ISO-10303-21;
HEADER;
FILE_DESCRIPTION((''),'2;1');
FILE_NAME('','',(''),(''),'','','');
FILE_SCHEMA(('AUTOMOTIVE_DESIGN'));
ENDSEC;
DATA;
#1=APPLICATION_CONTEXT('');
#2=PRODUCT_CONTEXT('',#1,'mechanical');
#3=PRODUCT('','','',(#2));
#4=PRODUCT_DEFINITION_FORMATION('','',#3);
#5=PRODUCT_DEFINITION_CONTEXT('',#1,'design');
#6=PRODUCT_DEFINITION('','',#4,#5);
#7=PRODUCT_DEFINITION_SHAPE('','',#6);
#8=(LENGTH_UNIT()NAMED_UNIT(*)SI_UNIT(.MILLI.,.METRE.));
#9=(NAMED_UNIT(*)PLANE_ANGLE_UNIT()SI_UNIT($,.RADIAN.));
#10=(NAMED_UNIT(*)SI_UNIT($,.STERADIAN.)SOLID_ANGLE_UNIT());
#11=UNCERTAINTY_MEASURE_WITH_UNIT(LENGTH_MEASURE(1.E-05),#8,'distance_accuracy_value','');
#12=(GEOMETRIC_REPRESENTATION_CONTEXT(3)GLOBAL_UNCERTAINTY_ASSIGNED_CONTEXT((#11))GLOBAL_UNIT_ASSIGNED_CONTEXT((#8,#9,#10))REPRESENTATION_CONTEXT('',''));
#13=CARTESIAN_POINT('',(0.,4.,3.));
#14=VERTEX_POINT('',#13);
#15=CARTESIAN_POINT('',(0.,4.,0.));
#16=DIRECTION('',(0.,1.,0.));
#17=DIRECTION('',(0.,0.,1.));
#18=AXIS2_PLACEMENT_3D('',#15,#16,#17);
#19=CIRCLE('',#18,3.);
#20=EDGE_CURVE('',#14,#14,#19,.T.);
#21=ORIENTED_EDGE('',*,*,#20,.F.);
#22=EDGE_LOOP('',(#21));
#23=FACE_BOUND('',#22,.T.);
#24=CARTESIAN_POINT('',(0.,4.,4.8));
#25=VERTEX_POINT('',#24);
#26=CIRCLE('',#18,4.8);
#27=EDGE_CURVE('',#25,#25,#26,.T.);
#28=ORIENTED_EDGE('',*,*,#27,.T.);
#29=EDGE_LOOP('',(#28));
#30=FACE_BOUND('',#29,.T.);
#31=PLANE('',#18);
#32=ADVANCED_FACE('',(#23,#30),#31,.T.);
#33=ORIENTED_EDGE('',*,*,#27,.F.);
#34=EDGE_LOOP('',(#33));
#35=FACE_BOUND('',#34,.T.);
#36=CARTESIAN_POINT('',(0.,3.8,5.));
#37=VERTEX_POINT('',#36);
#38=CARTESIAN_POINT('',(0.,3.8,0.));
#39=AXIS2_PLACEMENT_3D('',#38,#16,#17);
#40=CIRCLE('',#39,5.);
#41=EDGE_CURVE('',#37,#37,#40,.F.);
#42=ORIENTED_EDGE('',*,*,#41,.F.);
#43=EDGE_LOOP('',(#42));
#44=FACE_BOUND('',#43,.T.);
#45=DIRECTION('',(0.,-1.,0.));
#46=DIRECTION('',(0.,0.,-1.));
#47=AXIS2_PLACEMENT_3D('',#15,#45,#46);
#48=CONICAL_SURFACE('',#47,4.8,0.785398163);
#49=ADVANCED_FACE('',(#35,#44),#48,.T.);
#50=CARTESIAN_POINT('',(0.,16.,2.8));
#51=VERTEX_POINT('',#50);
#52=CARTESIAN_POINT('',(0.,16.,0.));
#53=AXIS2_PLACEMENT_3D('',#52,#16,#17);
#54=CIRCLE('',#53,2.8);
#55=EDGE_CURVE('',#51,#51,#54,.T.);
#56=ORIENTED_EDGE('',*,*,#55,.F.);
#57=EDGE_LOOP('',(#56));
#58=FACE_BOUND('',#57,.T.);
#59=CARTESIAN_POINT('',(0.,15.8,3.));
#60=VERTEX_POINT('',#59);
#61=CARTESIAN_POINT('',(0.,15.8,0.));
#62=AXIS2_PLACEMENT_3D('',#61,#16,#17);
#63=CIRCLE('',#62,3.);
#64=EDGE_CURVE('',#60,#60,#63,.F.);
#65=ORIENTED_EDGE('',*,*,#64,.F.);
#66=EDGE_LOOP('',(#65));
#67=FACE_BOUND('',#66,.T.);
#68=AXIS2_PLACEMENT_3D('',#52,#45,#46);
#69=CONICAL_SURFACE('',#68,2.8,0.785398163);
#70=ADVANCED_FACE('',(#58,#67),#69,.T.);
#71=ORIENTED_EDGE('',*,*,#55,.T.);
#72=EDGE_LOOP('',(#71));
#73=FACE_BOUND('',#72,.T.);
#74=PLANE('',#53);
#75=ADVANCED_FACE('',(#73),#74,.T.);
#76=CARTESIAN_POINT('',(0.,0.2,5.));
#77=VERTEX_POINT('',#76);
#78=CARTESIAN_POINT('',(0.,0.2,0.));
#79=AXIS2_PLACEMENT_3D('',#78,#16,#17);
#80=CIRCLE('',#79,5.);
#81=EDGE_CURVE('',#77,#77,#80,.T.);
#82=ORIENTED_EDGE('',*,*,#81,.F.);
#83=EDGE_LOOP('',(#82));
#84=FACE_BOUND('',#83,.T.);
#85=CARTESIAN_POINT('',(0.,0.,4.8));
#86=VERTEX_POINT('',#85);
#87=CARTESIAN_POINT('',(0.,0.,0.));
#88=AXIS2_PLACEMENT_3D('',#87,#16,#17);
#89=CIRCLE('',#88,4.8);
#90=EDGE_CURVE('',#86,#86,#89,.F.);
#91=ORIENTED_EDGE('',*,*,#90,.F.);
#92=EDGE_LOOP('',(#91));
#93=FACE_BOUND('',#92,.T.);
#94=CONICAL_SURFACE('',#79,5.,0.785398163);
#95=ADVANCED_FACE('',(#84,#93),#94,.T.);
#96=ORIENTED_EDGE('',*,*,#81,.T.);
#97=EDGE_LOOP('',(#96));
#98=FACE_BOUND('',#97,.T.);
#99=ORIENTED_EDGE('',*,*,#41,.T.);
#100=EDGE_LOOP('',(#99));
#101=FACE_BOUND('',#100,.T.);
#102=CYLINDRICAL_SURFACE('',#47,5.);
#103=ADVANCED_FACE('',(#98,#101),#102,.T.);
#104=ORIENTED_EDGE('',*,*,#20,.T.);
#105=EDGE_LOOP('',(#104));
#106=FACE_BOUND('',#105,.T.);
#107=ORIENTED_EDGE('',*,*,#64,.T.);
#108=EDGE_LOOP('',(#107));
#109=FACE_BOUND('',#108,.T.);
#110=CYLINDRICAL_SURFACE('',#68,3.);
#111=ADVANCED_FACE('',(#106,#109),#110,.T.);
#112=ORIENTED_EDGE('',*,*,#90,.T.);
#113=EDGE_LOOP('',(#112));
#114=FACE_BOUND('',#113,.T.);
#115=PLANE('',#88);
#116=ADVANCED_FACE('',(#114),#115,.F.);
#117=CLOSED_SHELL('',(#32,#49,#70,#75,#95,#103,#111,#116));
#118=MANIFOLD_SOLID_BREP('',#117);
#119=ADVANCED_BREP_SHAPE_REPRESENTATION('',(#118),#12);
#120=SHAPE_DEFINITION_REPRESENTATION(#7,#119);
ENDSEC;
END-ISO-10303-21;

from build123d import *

# Parameters (mm, degrees)
SKETCH_1_R      = 5
EXTRUDE_1_DEPTH = 4
SKETCH_2_R      = 3
EXTRUDE_2_DEPTH = 12
CHAMFER_1_SIZE  = 0.2


with BuildPart() as part:
    # Эскиз1 → Бобышка-Вытянуть1 (new body)
    with BuildSketch(Plane(origin=(0, 0, 0), x_dir=(1, 0, 0), z_dir=(0, 1, 0))):
        Circle(SKETCH_1_R)
    extrude(amount=EXTRUDE_1_DEPTH)

    # Эскиз2 → Бобышка-Вытянуть2 (add)
    with BuildSketch(Plane(origin=(0, 4, 0), x_dir=(1, 0, 0), z_dir=(0, 1, 0))):
        Circle(SKETCH_2_R)
    extrude(amount=EXTRUDE_2_DEPTH)

    # Фаска1
    chamfer_1_edges = [part.edges().sort_by_distance(p)[0] for p in [
        (-5, 0, 0),
        (-5, 4, 0),
        (-3, 16, 0),
    ]]
    chamfer(chamfer_1_edges, length=CHAMFER_1_SIZE)


solid = part.part
